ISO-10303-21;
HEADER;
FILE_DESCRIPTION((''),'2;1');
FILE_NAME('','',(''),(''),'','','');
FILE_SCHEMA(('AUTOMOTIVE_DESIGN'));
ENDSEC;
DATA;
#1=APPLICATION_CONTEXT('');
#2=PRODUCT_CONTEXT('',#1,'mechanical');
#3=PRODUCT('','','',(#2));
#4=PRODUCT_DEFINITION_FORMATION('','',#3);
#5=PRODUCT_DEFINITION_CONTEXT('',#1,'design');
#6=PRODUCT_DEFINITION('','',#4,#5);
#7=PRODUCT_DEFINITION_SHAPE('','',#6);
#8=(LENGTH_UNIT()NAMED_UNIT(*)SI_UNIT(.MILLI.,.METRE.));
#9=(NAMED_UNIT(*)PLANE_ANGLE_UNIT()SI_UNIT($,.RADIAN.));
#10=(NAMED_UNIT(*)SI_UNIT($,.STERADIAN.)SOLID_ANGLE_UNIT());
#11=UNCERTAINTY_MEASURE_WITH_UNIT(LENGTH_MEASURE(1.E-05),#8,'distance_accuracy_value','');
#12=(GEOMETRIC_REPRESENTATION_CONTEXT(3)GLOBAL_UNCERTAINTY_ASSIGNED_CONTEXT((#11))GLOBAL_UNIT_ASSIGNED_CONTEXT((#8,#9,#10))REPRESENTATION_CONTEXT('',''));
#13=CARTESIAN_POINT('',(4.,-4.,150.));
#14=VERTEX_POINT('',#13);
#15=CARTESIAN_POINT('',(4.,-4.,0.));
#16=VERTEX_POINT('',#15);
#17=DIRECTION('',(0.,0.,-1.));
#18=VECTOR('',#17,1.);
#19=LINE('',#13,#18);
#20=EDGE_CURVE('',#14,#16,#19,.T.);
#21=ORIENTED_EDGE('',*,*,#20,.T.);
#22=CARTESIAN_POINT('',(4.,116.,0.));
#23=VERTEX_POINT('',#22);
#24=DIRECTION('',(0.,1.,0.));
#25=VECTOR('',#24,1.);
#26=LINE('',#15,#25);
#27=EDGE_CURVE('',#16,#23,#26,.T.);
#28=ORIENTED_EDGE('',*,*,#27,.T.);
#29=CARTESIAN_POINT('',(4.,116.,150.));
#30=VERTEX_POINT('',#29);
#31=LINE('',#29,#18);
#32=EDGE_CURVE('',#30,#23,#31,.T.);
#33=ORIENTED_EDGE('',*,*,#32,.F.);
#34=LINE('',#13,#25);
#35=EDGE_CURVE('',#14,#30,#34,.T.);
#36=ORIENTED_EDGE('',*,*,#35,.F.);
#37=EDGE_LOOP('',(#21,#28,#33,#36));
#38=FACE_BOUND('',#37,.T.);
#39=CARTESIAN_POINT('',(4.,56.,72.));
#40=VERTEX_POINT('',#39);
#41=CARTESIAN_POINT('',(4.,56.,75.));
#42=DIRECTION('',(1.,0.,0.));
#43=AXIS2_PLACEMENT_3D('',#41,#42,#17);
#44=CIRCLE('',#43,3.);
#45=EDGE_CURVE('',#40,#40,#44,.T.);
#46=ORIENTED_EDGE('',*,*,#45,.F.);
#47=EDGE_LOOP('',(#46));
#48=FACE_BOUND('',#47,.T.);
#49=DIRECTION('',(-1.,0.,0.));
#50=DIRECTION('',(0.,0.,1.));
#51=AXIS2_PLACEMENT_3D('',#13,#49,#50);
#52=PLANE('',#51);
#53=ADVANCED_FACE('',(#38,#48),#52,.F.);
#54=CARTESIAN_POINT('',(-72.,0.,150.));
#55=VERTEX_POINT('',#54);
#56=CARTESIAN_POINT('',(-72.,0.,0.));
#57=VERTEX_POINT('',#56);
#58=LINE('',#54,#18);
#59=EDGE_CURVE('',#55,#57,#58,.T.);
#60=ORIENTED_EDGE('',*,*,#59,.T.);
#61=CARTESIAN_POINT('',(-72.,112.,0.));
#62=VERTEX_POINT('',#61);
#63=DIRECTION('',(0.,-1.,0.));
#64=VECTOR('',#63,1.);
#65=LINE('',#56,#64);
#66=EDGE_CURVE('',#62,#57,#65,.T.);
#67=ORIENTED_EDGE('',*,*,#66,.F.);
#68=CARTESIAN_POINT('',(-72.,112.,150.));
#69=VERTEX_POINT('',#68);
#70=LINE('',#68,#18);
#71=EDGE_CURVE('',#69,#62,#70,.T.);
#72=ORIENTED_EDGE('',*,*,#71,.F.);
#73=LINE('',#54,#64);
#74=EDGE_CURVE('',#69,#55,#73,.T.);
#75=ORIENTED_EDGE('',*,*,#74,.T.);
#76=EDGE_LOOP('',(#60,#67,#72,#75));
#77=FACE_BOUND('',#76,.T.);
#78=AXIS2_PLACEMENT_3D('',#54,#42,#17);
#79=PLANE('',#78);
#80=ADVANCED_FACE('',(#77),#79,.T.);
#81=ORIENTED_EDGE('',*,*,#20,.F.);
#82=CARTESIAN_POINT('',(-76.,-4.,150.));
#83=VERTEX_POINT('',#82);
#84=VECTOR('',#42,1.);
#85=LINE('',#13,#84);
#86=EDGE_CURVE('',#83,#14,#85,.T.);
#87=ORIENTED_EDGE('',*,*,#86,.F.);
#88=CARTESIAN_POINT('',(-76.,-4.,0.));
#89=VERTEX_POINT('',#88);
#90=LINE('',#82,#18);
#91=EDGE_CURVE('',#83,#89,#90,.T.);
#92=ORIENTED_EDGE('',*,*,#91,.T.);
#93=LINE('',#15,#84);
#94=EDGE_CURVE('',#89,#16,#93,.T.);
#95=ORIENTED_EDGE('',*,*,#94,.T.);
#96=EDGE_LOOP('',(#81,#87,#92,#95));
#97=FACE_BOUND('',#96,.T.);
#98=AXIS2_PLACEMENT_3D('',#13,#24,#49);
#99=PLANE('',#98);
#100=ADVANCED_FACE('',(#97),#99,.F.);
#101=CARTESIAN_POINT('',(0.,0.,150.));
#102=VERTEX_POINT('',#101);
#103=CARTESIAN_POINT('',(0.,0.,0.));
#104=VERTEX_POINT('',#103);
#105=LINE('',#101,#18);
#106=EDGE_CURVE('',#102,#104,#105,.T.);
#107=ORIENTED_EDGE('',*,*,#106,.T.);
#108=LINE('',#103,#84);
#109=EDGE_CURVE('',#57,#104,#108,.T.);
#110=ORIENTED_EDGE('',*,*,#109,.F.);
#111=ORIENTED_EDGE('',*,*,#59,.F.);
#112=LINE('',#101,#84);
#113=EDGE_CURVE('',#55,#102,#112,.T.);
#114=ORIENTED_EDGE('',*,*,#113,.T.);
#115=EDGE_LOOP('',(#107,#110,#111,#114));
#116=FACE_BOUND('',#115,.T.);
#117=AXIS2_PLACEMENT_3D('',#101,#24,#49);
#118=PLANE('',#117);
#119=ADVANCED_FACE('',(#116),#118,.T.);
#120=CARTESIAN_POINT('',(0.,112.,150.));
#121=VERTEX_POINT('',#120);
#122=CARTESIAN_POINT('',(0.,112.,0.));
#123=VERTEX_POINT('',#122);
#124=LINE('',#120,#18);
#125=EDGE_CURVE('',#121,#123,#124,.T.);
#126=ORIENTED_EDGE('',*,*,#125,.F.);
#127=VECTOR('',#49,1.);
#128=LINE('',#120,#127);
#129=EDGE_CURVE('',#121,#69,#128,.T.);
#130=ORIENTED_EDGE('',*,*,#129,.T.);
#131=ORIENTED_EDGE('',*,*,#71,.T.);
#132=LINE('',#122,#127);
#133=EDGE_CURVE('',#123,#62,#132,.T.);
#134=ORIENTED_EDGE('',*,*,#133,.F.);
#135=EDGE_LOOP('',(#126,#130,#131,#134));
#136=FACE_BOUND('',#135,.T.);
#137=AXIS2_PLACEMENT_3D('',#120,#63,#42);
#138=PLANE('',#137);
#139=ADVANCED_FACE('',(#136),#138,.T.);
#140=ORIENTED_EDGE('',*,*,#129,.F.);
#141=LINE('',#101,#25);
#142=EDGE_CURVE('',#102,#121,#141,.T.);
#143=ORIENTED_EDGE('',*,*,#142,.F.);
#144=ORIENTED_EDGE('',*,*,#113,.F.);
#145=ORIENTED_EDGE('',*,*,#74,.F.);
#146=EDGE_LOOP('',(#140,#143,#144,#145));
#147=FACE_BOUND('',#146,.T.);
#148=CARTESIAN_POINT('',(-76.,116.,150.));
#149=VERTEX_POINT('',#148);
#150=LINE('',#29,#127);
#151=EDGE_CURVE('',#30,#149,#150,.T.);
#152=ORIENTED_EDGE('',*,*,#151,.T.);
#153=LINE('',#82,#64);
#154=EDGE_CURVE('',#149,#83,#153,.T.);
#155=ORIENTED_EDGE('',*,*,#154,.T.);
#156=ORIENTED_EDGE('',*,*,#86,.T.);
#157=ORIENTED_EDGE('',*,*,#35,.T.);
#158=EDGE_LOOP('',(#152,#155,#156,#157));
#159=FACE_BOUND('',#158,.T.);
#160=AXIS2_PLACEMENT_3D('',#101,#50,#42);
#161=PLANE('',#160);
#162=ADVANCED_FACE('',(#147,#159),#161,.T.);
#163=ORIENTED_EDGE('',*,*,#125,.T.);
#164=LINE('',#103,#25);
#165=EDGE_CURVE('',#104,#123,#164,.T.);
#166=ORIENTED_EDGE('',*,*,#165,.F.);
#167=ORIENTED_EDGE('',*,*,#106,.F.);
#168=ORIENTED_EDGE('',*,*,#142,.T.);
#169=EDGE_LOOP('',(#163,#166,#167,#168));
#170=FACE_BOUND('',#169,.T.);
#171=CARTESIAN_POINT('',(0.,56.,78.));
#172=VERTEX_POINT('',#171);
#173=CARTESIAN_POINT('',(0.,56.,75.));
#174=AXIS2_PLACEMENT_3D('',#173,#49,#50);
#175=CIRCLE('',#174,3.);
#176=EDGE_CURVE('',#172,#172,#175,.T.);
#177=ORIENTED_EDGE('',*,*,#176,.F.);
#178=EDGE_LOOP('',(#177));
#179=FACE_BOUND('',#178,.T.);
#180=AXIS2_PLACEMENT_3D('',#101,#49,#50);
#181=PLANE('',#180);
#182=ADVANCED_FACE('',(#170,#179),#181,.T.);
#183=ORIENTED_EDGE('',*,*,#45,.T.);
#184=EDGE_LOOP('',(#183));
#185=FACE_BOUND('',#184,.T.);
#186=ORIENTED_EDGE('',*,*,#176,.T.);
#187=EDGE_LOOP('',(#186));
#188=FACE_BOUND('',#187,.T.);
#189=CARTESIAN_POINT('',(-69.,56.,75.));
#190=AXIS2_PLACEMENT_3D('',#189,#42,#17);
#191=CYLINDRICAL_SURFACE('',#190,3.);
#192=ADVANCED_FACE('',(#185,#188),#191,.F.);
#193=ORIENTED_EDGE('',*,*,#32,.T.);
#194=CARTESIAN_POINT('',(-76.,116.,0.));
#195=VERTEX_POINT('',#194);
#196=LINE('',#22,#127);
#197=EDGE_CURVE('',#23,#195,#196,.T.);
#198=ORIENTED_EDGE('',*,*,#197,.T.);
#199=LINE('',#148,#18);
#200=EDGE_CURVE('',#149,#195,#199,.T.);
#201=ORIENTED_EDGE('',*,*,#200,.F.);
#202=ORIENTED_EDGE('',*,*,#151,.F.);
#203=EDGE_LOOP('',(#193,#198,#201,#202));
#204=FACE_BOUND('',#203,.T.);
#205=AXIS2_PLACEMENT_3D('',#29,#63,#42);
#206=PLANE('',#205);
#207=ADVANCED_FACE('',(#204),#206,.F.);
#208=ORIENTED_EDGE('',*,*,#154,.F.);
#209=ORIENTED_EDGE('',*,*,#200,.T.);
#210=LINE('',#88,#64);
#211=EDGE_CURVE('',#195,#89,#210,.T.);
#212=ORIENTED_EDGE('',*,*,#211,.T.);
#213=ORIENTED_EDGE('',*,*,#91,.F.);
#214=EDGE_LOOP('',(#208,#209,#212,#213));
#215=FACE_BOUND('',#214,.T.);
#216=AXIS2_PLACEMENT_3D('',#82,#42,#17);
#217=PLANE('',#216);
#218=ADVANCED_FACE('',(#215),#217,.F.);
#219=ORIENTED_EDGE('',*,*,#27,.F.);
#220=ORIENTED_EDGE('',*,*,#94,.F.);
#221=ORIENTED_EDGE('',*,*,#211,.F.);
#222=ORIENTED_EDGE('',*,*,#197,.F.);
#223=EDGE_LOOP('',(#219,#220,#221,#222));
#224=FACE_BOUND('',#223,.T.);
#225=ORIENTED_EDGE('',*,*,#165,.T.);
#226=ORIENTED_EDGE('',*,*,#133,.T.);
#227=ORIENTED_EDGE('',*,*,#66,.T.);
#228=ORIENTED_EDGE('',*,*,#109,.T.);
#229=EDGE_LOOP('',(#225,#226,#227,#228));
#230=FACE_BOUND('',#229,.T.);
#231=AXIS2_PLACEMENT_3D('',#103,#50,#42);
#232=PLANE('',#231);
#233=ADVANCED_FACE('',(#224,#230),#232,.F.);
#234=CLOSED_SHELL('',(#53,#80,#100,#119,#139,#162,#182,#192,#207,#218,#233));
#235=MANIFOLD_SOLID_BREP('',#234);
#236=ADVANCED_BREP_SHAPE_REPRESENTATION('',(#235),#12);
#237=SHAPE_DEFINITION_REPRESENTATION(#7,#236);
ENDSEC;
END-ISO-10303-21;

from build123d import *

# Parameters (mm, degrees)
SKETCH1_W           = 80
SKETCH1_H           = 120
SKETCH1_W_2         = 72
SKETCH1_H_2         = 112
BOSS_EXTRUDE1_DEPTH = 150
SKETCH2_R           = 3
CUT_EXTRUDE1_DEPTH  = 73


with BuildPart() as part:
    # Sketch1 → Boss-Extrude1 (new body)
    with BuildSketch(Plane.XY):
        with Locations((-36, 56)):
            Rectangle(SKETCH1_W, SKETCH1_H)
        with Locations((-36, 56)):
            Rectangle(SKETCH1_W_2, SKETCH1_H_2, mode=Mode.SUBTRACT)
    extrude(amount=BOSS_EXTRUDE1_DEPTH)

    # Sketch2 → Cut-Extrude1 (cut)
    with BuildSketch(Plane(origin=(4, 0, 0), x_dir=(0, 0, -1), z_dir=(1, 0, 0))):
        with Locations((-75, 56)):
            Circle(SKETCH2_R)
    extrude(amount=-CUT_EXTRUDE1_DEPTH, mode=Mode.SUBTRACT)


solid = part.part
